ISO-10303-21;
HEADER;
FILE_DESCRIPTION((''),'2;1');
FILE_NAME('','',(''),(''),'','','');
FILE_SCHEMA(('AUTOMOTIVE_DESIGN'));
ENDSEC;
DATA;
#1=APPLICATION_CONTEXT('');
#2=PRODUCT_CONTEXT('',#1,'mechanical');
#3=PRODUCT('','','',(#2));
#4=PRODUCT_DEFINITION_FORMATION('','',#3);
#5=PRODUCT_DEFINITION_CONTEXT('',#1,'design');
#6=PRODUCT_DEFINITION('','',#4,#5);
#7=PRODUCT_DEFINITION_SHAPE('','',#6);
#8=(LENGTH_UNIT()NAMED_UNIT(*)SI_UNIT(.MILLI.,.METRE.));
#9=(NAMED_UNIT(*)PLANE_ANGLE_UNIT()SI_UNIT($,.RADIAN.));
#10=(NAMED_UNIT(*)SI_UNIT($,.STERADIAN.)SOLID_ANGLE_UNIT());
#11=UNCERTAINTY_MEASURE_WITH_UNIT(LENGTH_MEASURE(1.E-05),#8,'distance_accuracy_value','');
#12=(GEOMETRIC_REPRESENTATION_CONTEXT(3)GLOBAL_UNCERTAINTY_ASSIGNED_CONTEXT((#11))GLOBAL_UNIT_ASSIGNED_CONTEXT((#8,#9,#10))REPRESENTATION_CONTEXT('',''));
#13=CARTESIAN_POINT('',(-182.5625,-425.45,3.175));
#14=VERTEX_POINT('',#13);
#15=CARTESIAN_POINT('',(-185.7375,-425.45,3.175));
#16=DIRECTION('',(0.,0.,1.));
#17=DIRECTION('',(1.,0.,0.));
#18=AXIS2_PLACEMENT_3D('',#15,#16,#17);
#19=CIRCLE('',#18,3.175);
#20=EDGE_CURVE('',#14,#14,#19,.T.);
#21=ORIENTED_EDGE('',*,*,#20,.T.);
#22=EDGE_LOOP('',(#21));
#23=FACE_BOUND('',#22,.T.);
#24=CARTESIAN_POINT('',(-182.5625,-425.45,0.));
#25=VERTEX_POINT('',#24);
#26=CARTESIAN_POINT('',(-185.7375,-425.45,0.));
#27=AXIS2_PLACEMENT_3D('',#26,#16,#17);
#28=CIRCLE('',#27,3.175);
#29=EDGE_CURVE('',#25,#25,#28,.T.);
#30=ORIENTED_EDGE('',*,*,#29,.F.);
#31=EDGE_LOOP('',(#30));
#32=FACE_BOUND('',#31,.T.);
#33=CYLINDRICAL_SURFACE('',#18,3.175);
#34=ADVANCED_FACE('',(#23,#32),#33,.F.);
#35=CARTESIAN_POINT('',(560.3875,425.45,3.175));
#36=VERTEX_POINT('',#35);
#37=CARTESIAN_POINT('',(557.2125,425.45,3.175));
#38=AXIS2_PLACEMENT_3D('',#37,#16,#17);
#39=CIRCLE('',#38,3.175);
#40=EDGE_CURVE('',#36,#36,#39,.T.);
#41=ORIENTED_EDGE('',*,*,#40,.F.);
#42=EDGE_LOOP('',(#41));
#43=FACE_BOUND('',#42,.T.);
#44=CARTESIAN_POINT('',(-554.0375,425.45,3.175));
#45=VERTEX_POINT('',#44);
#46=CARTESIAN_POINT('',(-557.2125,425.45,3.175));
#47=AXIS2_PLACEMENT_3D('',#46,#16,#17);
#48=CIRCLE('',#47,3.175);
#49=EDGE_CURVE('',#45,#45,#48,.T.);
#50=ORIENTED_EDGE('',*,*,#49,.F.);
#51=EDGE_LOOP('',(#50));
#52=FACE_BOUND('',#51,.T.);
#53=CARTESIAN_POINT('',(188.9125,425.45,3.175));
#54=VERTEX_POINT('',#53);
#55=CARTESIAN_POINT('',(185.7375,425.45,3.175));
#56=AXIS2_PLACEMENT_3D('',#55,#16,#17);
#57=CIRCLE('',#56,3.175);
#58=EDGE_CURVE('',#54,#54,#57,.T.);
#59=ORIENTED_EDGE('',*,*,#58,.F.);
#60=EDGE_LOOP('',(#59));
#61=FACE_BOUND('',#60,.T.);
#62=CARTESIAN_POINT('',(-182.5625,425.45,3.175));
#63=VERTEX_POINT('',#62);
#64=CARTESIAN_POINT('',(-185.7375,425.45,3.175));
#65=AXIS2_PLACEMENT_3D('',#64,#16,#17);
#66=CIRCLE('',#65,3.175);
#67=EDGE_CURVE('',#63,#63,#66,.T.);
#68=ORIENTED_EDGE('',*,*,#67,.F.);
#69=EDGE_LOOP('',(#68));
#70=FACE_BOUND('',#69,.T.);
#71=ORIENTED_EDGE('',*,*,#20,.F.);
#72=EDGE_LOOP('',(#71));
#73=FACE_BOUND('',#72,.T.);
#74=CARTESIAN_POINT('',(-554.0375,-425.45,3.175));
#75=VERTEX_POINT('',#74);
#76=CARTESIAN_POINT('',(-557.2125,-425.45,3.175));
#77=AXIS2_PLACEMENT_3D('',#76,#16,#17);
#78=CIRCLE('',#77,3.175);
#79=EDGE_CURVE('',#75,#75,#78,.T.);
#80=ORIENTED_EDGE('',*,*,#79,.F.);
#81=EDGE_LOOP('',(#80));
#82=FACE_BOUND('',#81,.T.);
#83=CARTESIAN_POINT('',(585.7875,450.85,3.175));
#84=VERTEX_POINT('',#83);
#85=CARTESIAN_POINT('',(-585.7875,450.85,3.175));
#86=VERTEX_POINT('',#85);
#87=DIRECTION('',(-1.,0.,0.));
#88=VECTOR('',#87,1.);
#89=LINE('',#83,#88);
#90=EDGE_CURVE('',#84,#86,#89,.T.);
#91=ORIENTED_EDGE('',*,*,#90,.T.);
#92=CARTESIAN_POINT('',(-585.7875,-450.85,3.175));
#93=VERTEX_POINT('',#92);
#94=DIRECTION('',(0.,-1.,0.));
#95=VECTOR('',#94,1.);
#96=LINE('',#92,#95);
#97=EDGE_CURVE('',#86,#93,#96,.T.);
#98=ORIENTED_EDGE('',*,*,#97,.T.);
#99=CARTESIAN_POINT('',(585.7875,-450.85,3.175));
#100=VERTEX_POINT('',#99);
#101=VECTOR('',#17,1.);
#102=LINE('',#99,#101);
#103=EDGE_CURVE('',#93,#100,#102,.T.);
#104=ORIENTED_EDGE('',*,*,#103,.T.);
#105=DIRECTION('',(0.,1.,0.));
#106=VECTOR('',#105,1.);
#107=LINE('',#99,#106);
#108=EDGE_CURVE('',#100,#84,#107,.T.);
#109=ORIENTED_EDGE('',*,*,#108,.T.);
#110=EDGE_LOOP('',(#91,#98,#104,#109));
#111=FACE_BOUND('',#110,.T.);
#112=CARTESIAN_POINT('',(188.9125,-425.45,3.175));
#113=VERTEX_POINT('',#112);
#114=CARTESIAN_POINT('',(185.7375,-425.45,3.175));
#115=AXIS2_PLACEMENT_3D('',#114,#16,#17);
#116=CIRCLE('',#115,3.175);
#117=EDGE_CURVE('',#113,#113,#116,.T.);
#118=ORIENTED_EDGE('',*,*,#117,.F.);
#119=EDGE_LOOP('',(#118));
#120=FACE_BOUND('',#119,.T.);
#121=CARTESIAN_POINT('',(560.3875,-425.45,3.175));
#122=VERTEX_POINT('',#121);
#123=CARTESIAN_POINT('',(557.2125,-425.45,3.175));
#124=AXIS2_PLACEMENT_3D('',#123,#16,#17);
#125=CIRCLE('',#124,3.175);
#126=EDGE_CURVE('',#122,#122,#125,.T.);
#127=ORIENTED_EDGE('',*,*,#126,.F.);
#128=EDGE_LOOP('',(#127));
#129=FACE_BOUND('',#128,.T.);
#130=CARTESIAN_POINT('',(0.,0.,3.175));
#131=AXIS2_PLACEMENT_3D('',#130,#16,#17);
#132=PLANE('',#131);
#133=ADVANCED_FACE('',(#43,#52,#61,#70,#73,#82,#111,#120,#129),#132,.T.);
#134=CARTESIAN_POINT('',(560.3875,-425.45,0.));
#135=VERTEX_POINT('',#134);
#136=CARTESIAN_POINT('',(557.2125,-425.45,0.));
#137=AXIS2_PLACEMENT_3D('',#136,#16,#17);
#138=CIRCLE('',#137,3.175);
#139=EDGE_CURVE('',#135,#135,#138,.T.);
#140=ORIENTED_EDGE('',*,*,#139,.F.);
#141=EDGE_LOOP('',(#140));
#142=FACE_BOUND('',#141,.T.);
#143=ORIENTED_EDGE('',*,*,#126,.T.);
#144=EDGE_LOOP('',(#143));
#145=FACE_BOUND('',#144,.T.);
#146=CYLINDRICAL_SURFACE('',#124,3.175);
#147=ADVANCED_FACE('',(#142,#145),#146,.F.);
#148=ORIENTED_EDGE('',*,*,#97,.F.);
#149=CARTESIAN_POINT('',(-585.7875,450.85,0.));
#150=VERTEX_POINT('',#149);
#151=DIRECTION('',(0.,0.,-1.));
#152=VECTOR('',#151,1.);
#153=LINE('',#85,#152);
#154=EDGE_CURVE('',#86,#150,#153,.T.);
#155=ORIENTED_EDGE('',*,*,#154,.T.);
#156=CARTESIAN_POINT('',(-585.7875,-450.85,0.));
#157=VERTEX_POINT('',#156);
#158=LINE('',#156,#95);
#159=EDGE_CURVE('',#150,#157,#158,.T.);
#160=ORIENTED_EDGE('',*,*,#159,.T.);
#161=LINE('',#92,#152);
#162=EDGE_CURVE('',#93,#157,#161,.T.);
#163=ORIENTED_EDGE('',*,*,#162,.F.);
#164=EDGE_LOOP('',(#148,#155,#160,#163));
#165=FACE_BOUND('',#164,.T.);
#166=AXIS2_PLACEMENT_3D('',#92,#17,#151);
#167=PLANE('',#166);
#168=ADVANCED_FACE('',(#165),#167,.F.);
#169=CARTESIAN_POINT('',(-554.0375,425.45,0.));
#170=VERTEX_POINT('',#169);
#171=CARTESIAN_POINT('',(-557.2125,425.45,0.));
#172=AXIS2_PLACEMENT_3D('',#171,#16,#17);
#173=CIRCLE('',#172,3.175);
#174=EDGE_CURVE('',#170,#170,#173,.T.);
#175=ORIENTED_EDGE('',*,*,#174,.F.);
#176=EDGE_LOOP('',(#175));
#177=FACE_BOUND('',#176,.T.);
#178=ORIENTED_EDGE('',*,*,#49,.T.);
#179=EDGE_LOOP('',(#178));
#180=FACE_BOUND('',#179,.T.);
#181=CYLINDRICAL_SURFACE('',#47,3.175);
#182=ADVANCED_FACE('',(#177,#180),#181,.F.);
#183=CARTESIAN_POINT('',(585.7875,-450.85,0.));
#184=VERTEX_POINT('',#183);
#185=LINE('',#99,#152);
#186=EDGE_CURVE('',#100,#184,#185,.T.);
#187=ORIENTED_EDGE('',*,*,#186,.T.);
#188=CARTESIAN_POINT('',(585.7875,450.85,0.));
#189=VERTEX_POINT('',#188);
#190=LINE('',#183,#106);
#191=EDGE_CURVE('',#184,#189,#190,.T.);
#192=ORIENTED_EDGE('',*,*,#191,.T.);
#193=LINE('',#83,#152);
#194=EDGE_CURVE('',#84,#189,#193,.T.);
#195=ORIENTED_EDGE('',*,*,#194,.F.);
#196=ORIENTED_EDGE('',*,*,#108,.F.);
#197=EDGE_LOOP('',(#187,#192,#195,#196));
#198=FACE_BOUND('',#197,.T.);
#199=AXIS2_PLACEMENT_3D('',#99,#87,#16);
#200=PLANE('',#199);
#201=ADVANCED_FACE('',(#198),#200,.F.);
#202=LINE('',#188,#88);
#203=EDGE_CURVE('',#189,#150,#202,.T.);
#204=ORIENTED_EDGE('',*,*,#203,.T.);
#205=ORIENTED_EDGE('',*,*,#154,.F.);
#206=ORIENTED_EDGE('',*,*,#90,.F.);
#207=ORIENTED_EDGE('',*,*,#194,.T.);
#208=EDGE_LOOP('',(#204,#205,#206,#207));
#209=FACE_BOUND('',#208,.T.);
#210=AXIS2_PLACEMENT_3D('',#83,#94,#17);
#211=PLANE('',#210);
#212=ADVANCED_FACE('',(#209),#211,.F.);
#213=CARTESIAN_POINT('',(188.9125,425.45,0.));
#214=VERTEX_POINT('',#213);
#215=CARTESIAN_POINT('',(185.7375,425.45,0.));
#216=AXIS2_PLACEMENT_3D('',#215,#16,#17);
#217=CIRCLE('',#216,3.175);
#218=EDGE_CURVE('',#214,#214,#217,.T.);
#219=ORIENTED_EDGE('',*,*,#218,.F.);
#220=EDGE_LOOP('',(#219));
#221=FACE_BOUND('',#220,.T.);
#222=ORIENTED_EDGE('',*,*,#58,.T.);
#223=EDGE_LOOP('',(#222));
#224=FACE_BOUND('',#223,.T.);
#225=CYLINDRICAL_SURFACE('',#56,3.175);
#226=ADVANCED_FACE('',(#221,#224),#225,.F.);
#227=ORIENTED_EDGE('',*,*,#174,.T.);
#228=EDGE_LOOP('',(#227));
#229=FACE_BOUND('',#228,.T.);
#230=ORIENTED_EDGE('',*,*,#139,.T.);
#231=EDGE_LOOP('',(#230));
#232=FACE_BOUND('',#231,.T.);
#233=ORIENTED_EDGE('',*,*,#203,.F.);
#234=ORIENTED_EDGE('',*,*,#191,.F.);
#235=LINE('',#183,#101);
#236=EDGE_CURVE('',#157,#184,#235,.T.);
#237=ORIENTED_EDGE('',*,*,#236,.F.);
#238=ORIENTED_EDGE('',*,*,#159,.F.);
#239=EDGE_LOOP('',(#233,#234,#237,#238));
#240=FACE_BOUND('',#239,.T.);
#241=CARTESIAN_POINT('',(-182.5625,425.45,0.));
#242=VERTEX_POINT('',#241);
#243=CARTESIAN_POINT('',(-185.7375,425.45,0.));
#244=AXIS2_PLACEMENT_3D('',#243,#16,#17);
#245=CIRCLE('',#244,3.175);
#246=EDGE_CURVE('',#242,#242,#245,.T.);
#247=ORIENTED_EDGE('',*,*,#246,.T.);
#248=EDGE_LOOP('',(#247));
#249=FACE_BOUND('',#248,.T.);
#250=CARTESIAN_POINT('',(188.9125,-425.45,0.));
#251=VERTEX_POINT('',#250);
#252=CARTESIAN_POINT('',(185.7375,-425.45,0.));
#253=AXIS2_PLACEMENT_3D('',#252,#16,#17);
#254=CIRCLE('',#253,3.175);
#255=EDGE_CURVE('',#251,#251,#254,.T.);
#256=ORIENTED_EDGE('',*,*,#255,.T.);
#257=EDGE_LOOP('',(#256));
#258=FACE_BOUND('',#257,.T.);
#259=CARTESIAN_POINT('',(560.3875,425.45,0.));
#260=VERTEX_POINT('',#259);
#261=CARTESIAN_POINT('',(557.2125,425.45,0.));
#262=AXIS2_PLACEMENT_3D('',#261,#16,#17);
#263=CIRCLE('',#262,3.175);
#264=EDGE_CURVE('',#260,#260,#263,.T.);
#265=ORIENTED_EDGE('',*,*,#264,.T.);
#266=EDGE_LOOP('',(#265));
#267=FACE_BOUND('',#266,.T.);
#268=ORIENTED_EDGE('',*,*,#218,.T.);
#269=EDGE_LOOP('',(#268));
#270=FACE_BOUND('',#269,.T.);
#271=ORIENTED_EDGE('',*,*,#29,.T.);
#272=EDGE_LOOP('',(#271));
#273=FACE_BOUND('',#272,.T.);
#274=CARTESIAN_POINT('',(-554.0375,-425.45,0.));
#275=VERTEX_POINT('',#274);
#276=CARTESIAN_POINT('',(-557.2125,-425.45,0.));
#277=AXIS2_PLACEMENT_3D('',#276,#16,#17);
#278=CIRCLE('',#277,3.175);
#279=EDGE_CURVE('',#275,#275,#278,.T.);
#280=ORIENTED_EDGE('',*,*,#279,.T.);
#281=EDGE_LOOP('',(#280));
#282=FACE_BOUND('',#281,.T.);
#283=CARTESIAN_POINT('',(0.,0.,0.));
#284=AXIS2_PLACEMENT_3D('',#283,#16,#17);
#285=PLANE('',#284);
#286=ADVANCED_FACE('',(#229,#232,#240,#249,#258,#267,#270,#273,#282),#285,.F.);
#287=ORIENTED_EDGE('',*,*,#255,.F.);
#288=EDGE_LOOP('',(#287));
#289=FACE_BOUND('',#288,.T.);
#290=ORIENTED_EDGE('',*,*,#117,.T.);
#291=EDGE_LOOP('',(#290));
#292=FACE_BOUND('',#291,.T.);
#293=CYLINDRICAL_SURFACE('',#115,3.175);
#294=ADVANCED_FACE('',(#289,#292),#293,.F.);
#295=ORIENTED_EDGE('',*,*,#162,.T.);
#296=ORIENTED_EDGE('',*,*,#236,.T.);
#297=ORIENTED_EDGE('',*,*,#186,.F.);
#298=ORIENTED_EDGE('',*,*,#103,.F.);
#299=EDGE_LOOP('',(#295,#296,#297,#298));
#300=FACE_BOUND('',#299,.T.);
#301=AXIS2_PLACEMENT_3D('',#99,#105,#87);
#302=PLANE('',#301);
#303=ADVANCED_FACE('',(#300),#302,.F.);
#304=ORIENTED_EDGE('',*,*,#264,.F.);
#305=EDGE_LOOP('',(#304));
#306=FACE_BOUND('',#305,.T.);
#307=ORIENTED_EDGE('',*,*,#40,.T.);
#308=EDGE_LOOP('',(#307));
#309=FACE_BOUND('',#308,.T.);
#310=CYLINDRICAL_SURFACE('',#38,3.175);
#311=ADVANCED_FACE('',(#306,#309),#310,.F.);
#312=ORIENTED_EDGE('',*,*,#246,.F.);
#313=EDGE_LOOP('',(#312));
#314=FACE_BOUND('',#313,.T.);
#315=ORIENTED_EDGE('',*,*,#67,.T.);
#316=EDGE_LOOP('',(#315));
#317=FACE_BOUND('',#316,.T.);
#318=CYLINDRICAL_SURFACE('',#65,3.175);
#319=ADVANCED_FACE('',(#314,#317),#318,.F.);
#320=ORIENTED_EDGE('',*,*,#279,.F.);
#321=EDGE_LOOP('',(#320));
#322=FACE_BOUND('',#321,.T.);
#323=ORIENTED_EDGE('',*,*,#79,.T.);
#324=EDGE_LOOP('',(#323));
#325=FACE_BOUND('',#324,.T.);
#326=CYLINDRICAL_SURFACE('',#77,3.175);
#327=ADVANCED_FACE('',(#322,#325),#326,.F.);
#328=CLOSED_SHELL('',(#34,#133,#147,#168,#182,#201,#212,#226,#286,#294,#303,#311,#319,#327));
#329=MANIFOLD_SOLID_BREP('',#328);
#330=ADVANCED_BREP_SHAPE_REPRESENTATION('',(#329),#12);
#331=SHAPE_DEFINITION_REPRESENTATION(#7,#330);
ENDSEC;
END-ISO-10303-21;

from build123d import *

# Parameters (mm, degrees)
SKETCH1_W                   = 1171.575
SKETCH1_H                   = 901.7
BOSS_EXTRUDE1_DEPTH         = 3.175
F_1_4_0_25_DIAMETER_HOLE1_D = 6.35
LPATTERN1_COUNT             = 4
LPATTERN1_PITCH             = 371.475
LPATTERN1_COUNT_DIR2        = 2
LPATTERN1_PITCH_DIR2        = 850.9


with BuildPart() as part:
    # Sketch1 → Boss-Extrude1 (new body)
    with BuildSketch(Plane.XY):
        Rectangle(SKETCH1_W, SKETCH1_H)
    extrude(amount=BOSS_EXTRUDE1_DEPTH)

    # 1/4 (0.25) Diameter Hole1 (through all)
    with Locations(Plane.XY.offset(3.175)):
        with Locations((-557.2125, 425.45)):
            f_1_4_0_25_diameter_hole1 = Hole(F_1_4_0_25_DIAMETER_HOLE1_D / 2)

    # LPattern1: 1_4 _0.25_ Diameter Hole1 4 × 2
    with Locations(*[(i * LPATTERN1_PITCH, -j * LPATTERN1_PITCH_DIR2, 0) for i in range(LPATTERN1_COUNT) for j in range(LPATTERN1_COUNT_DIR2) if (i, j) != (0, 0)]):
        add(f_1_4_0_25_diameter_hole1, mode=Mode.SUBTRACT)


solid = part.part
